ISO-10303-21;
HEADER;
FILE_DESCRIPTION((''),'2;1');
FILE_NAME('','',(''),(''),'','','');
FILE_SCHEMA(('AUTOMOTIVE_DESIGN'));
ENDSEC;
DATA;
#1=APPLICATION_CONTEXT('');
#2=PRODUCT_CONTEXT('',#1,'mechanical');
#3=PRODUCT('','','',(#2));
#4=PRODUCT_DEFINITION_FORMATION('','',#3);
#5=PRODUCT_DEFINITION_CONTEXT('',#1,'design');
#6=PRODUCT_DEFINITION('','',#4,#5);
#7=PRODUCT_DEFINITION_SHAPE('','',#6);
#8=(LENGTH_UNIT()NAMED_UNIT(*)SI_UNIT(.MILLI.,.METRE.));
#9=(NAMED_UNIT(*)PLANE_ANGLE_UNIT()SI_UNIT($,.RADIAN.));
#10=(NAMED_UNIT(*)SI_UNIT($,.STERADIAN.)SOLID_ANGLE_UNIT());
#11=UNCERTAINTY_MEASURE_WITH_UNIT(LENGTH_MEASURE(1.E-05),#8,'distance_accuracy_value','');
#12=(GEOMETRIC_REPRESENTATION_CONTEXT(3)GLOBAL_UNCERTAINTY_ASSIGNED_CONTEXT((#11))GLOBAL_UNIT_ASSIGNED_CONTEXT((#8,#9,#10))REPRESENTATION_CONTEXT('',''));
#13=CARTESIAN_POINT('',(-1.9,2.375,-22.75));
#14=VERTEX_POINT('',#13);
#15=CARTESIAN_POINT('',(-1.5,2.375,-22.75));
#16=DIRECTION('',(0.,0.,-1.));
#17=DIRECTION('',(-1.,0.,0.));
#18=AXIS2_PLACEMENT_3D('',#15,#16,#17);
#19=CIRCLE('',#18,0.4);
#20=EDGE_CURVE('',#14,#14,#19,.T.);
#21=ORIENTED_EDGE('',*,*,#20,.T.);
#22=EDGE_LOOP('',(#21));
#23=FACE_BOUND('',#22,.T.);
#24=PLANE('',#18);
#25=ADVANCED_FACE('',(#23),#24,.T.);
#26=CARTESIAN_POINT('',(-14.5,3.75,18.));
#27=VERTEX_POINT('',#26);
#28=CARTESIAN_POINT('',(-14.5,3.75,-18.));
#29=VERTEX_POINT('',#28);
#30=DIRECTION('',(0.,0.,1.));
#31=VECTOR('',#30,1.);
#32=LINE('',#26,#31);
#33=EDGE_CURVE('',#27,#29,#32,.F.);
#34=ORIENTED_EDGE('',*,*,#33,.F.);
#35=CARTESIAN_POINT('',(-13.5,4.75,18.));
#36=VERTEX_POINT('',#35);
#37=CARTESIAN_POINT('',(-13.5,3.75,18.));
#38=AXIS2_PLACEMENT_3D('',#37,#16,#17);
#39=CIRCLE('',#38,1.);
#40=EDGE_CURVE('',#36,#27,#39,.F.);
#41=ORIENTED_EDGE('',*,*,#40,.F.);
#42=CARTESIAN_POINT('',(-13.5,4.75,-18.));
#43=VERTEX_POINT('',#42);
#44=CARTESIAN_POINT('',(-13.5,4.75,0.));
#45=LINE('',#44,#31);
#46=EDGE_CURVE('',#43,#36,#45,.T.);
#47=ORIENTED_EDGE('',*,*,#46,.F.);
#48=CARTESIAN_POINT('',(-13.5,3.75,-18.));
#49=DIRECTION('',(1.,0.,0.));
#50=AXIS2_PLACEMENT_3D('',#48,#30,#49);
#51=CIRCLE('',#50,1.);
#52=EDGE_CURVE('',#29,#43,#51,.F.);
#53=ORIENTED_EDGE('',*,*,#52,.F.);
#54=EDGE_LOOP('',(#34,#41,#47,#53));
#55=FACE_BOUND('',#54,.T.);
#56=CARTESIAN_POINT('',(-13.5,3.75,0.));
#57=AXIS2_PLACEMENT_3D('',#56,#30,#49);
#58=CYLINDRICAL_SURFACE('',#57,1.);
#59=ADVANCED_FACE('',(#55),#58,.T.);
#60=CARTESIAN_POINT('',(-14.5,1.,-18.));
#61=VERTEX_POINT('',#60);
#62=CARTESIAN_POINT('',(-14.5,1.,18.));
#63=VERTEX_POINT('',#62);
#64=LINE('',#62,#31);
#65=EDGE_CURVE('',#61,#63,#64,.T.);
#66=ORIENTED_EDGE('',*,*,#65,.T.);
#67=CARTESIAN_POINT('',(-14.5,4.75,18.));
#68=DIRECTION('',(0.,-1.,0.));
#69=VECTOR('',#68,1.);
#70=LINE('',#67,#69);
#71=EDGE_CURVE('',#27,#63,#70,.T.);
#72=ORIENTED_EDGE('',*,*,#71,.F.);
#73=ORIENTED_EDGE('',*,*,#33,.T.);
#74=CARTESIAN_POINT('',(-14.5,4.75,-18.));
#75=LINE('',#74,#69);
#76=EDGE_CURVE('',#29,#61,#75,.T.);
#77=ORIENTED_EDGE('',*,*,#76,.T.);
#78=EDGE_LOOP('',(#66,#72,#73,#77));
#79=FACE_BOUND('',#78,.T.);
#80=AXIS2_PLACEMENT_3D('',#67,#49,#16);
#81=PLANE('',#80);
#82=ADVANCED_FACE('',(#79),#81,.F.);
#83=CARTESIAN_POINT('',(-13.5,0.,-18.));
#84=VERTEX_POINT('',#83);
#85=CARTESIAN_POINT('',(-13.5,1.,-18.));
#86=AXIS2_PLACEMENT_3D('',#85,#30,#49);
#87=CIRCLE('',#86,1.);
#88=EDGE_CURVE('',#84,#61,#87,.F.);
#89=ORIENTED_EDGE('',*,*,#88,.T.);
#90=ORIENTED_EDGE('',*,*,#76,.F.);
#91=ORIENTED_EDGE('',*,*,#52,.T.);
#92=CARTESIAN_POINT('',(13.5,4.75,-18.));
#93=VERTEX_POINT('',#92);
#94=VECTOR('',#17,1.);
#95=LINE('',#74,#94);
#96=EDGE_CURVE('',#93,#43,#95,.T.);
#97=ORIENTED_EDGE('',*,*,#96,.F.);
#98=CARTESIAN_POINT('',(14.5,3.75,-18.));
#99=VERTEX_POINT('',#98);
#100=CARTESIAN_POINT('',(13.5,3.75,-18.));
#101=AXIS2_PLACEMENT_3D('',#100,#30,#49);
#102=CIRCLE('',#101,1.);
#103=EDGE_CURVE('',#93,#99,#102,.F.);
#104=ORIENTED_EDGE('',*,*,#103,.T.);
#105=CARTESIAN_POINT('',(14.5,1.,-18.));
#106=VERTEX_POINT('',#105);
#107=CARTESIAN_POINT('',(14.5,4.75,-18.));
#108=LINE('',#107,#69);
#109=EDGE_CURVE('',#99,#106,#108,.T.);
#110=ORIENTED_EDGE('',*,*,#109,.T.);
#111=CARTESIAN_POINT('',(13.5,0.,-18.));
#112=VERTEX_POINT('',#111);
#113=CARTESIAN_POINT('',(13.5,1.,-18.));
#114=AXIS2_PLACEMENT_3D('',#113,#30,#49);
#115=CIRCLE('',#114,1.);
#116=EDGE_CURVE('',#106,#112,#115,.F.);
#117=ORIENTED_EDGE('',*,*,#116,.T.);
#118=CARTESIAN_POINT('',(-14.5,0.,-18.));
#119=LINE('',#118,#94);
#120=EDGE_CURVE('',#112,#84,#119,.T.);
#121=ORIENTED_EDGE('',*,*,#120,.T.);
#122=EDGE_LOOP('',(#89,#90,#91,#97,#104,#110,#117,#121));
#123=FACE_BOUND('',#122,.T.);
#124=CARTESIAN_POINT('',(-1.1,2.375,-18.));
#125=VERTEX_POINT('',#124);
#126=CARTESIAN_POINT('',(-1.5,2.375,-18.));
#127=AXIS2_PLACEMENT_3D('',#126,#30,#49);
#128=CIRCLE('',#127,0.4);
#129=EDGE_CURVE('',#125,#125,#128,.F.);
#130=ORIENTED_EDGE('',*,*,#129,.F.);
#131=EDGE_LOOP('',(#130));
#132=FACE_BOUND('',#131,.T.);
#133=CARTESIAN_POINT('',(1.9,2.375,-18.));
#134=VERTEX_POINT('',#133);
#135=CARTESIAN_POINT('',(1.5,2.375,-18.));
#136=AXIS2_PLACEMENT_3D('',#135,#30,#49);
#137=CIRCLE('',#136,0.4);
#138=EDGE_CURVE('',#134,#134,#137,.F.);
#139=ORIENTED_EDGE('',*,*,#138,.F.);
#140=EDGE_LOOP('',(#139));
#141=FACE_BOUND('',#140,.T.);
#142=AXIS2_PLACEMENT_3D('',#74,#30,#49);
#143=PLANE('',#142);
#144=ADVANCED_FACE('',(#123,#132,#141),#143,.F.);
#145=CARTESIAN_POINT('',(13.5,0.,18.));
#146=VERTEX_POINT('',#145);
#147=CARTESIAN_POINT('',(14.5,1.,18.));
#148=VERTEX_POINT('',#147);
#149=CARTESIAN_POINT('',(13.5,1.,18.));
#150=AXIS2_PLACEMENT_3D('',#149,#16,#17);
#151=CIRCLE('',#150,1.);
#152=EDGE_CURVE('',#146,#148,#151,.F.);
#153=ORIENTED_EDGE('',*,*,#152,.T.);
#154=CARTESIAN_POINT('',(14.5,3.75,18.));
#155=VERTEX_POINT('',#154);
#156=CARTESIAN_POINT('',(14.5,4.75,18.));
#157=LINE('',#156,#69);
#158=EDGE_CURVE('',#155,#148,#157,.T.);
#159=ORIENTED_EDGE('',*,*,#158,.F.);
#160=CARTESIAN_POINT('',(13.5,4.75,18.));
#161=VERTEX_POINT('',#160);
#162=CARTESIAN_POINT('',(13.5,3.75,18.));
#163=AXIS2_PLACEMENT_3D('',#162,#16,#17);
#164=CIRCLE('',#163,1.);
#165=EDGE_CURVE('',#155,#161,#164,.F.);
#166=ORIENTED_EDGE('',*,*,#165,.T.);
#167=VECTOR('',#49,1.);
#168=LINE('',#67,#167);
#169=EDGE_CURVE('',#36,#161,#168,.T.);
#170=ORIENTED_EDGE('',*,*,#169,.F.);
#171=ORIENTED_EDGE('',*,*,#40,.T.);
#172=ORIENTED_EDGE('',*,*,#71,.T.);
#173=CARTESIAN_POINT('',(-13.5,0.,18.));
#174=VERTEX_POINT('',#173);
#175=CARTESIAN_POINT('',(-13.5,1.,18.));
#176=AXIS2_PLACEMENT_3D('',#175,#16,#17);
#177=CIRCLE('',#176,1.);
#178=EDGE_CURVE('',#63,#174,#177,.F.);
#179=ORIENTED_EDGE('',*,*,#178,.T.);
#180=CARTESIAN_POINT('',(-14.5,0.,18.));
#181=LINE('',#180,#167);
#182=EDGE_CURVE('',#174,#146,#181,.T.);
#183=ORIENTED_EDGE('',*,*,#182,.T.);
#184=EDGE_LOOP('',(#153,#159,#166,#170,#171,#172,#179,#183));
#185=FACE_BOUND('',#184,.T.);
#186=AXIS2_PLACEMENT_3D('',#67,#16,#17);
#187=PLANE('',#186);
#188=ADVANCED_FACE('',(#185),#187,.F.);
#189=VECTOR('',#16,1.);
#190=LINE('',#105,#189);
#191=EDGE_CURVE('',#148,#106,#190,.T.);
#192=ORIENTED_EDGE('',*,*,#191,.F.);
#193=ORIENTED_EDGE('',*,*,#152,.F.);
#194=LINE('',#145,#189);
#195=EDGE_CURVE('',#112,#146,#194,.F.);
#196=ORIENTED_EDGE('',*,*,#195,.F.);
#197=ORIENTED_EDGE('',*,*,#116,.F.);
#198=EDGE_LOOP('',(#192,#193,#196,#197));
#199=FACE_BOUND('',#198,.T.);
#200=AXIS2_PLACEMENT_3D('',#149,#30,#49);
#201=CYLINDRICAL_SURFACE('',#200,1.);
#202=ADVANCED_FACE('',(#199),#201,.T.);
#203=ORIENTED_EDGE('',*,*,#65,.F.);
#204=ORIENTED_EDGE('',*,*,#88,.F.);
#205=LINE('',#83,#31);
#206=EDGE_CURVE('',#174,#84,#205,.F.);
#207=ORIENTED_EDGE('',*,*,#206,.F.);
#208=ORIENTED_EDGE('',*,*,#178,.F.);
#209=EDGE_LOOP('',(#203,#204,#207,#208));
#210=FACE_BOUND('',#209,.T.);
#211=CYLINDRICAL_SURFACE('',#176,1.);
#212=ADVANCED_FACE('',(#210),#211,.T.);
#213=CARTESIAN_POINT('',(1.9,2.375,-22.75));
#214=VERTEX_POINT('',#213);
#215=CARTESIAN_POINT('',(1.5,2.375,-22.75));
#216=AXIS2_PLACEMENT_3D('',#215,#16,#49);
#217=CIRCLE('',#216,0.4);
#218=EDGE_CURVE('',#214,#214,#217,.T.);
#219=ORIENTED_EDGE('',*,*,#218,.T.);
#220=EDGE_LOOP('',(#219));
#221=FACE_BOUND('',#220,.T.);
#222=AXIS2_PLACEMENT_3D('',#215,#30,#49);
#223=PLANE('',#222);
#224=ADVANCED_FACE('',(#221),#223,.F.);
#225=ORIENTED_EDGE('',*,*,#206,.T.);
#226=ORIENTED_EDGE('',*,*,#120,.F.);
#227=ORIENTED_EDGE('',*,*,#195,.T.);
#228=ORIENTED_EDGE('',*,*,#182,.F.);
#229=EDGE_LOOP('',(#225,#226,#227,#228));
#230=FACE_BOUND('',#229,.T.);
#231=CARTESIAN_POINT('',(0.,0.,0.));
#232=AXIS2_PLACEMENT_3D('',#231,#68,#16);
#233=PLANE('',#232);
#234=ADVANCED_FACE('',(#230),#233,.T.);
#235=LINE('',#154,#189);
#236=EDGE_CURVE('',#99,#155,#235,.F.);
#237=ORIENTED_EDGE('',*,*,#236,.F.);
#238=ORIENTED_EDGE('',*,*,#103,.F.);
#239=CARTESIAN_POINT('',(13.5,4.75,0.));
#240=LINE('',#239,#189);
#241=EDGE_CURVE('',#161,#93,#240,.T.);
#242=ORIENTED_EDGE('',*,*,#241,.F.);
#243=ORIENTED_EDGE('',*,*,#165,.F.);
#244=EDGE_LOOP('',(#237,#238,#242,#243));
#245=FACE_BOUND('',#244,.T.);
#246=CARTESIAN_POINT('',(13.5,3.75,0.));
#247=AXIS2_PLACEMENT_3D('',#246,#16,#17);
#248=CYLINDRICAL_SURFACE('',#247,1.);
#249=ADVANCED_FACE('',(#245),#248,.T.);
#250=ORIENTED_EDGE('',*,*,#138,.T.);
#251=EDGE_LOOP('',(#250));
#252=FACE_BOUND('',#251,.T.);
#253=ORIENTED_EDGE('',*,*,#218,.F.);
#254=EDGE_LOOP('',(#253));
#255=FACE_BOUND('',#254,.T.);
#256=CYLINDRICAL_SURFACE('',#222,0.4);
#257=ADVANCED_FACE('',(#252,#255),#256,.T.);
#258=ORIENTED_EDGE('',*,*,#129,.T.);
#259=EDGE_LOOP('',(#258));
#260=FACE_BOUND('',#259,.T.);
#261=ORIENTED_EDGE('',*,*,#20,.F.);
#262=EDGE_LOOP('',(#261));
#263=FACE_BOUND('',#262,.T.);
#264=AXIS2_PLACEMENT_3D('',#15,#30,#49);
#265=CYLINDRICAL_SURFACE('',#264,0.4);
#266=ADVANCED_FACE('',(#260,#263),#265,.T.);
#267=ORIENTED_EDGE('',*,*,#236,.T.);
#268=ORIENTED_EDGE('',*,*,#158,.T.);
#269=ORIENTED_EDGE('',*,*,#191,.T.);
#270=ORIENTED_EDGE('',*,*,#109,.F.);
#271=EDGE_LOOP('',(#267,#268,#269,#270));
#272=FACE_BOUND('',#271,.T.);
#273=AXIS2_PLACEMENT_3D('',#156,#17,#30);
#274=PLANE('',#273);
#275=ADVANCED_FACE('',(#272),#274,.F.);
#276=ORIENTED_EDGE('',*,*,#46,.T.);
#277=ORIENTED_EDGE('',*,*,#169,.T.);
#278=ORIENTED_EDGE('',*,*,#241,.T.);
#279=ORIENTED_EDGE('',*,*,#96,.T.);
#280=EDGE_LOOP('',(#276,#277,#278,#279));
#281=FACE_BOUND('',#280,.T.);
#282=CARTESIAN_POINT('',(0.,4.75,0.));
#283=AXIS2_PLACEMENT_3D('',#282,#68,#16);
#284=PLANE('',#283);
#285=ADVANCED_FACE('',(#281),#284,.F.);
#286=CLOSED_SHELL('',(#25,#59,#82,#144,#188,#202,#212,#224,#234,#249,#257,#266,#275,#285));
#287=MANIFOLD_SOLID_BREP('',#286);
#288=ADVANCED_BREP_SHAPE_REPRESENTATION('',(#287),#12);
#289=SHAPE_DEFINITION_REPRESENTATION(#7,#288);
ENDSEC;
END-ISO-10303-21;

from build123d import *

# Parameters (mm, degrees)
SKETCH1_W           = 29
SKETCH1_H           = 36
BOSS_EXTRUDE1_DEPTH = 4.75
SKETCH2_R           = 0.4
BOSS_EXTRUDE2_DEPTH = 4.75
FILLET1_R           = 1


with BuildPart() as part:
    # Sketch1 → Boss-Extrude1 (new body)
    with BuildSketch(Plane(origin=(0, 0, 0), x_dir=(1, 0, 0), z_dir=(0, 1, 0))):
        Rectangle(SKETCH1_W, SKETCH1_H)
    extrude(amount=BOSS_EXTRUDE1_DEPTH)

    # Sketch2 → Boss-Extrude2 (add)
    with BuildSketch(Plane(origin=(0, 0, -18), x_dir=(-1, 0, 0), z_dir=(0, 0, -1))):
        with Locations((1.5, 2.375)):
            Circle(SKETCH2_R)
        with Locations((-1.5, 2.375)):
            Circle(SKETCH2_R)
    extrude(amount=BOSS_EXTRUDE2_DEPTH)

    # Fillet1
    fillet1_edges = [part.edges().sort_by_distance(p)[0] for p in [
        (-14.5, 4.75, 0),
        (14.5, 4.75, 0),
        (-14.5, 0, 0),
        (14.5, 0, 0),
    ]]
    fillet(fillet1_edges, radius=FILLET1_R)


solid = part.part
